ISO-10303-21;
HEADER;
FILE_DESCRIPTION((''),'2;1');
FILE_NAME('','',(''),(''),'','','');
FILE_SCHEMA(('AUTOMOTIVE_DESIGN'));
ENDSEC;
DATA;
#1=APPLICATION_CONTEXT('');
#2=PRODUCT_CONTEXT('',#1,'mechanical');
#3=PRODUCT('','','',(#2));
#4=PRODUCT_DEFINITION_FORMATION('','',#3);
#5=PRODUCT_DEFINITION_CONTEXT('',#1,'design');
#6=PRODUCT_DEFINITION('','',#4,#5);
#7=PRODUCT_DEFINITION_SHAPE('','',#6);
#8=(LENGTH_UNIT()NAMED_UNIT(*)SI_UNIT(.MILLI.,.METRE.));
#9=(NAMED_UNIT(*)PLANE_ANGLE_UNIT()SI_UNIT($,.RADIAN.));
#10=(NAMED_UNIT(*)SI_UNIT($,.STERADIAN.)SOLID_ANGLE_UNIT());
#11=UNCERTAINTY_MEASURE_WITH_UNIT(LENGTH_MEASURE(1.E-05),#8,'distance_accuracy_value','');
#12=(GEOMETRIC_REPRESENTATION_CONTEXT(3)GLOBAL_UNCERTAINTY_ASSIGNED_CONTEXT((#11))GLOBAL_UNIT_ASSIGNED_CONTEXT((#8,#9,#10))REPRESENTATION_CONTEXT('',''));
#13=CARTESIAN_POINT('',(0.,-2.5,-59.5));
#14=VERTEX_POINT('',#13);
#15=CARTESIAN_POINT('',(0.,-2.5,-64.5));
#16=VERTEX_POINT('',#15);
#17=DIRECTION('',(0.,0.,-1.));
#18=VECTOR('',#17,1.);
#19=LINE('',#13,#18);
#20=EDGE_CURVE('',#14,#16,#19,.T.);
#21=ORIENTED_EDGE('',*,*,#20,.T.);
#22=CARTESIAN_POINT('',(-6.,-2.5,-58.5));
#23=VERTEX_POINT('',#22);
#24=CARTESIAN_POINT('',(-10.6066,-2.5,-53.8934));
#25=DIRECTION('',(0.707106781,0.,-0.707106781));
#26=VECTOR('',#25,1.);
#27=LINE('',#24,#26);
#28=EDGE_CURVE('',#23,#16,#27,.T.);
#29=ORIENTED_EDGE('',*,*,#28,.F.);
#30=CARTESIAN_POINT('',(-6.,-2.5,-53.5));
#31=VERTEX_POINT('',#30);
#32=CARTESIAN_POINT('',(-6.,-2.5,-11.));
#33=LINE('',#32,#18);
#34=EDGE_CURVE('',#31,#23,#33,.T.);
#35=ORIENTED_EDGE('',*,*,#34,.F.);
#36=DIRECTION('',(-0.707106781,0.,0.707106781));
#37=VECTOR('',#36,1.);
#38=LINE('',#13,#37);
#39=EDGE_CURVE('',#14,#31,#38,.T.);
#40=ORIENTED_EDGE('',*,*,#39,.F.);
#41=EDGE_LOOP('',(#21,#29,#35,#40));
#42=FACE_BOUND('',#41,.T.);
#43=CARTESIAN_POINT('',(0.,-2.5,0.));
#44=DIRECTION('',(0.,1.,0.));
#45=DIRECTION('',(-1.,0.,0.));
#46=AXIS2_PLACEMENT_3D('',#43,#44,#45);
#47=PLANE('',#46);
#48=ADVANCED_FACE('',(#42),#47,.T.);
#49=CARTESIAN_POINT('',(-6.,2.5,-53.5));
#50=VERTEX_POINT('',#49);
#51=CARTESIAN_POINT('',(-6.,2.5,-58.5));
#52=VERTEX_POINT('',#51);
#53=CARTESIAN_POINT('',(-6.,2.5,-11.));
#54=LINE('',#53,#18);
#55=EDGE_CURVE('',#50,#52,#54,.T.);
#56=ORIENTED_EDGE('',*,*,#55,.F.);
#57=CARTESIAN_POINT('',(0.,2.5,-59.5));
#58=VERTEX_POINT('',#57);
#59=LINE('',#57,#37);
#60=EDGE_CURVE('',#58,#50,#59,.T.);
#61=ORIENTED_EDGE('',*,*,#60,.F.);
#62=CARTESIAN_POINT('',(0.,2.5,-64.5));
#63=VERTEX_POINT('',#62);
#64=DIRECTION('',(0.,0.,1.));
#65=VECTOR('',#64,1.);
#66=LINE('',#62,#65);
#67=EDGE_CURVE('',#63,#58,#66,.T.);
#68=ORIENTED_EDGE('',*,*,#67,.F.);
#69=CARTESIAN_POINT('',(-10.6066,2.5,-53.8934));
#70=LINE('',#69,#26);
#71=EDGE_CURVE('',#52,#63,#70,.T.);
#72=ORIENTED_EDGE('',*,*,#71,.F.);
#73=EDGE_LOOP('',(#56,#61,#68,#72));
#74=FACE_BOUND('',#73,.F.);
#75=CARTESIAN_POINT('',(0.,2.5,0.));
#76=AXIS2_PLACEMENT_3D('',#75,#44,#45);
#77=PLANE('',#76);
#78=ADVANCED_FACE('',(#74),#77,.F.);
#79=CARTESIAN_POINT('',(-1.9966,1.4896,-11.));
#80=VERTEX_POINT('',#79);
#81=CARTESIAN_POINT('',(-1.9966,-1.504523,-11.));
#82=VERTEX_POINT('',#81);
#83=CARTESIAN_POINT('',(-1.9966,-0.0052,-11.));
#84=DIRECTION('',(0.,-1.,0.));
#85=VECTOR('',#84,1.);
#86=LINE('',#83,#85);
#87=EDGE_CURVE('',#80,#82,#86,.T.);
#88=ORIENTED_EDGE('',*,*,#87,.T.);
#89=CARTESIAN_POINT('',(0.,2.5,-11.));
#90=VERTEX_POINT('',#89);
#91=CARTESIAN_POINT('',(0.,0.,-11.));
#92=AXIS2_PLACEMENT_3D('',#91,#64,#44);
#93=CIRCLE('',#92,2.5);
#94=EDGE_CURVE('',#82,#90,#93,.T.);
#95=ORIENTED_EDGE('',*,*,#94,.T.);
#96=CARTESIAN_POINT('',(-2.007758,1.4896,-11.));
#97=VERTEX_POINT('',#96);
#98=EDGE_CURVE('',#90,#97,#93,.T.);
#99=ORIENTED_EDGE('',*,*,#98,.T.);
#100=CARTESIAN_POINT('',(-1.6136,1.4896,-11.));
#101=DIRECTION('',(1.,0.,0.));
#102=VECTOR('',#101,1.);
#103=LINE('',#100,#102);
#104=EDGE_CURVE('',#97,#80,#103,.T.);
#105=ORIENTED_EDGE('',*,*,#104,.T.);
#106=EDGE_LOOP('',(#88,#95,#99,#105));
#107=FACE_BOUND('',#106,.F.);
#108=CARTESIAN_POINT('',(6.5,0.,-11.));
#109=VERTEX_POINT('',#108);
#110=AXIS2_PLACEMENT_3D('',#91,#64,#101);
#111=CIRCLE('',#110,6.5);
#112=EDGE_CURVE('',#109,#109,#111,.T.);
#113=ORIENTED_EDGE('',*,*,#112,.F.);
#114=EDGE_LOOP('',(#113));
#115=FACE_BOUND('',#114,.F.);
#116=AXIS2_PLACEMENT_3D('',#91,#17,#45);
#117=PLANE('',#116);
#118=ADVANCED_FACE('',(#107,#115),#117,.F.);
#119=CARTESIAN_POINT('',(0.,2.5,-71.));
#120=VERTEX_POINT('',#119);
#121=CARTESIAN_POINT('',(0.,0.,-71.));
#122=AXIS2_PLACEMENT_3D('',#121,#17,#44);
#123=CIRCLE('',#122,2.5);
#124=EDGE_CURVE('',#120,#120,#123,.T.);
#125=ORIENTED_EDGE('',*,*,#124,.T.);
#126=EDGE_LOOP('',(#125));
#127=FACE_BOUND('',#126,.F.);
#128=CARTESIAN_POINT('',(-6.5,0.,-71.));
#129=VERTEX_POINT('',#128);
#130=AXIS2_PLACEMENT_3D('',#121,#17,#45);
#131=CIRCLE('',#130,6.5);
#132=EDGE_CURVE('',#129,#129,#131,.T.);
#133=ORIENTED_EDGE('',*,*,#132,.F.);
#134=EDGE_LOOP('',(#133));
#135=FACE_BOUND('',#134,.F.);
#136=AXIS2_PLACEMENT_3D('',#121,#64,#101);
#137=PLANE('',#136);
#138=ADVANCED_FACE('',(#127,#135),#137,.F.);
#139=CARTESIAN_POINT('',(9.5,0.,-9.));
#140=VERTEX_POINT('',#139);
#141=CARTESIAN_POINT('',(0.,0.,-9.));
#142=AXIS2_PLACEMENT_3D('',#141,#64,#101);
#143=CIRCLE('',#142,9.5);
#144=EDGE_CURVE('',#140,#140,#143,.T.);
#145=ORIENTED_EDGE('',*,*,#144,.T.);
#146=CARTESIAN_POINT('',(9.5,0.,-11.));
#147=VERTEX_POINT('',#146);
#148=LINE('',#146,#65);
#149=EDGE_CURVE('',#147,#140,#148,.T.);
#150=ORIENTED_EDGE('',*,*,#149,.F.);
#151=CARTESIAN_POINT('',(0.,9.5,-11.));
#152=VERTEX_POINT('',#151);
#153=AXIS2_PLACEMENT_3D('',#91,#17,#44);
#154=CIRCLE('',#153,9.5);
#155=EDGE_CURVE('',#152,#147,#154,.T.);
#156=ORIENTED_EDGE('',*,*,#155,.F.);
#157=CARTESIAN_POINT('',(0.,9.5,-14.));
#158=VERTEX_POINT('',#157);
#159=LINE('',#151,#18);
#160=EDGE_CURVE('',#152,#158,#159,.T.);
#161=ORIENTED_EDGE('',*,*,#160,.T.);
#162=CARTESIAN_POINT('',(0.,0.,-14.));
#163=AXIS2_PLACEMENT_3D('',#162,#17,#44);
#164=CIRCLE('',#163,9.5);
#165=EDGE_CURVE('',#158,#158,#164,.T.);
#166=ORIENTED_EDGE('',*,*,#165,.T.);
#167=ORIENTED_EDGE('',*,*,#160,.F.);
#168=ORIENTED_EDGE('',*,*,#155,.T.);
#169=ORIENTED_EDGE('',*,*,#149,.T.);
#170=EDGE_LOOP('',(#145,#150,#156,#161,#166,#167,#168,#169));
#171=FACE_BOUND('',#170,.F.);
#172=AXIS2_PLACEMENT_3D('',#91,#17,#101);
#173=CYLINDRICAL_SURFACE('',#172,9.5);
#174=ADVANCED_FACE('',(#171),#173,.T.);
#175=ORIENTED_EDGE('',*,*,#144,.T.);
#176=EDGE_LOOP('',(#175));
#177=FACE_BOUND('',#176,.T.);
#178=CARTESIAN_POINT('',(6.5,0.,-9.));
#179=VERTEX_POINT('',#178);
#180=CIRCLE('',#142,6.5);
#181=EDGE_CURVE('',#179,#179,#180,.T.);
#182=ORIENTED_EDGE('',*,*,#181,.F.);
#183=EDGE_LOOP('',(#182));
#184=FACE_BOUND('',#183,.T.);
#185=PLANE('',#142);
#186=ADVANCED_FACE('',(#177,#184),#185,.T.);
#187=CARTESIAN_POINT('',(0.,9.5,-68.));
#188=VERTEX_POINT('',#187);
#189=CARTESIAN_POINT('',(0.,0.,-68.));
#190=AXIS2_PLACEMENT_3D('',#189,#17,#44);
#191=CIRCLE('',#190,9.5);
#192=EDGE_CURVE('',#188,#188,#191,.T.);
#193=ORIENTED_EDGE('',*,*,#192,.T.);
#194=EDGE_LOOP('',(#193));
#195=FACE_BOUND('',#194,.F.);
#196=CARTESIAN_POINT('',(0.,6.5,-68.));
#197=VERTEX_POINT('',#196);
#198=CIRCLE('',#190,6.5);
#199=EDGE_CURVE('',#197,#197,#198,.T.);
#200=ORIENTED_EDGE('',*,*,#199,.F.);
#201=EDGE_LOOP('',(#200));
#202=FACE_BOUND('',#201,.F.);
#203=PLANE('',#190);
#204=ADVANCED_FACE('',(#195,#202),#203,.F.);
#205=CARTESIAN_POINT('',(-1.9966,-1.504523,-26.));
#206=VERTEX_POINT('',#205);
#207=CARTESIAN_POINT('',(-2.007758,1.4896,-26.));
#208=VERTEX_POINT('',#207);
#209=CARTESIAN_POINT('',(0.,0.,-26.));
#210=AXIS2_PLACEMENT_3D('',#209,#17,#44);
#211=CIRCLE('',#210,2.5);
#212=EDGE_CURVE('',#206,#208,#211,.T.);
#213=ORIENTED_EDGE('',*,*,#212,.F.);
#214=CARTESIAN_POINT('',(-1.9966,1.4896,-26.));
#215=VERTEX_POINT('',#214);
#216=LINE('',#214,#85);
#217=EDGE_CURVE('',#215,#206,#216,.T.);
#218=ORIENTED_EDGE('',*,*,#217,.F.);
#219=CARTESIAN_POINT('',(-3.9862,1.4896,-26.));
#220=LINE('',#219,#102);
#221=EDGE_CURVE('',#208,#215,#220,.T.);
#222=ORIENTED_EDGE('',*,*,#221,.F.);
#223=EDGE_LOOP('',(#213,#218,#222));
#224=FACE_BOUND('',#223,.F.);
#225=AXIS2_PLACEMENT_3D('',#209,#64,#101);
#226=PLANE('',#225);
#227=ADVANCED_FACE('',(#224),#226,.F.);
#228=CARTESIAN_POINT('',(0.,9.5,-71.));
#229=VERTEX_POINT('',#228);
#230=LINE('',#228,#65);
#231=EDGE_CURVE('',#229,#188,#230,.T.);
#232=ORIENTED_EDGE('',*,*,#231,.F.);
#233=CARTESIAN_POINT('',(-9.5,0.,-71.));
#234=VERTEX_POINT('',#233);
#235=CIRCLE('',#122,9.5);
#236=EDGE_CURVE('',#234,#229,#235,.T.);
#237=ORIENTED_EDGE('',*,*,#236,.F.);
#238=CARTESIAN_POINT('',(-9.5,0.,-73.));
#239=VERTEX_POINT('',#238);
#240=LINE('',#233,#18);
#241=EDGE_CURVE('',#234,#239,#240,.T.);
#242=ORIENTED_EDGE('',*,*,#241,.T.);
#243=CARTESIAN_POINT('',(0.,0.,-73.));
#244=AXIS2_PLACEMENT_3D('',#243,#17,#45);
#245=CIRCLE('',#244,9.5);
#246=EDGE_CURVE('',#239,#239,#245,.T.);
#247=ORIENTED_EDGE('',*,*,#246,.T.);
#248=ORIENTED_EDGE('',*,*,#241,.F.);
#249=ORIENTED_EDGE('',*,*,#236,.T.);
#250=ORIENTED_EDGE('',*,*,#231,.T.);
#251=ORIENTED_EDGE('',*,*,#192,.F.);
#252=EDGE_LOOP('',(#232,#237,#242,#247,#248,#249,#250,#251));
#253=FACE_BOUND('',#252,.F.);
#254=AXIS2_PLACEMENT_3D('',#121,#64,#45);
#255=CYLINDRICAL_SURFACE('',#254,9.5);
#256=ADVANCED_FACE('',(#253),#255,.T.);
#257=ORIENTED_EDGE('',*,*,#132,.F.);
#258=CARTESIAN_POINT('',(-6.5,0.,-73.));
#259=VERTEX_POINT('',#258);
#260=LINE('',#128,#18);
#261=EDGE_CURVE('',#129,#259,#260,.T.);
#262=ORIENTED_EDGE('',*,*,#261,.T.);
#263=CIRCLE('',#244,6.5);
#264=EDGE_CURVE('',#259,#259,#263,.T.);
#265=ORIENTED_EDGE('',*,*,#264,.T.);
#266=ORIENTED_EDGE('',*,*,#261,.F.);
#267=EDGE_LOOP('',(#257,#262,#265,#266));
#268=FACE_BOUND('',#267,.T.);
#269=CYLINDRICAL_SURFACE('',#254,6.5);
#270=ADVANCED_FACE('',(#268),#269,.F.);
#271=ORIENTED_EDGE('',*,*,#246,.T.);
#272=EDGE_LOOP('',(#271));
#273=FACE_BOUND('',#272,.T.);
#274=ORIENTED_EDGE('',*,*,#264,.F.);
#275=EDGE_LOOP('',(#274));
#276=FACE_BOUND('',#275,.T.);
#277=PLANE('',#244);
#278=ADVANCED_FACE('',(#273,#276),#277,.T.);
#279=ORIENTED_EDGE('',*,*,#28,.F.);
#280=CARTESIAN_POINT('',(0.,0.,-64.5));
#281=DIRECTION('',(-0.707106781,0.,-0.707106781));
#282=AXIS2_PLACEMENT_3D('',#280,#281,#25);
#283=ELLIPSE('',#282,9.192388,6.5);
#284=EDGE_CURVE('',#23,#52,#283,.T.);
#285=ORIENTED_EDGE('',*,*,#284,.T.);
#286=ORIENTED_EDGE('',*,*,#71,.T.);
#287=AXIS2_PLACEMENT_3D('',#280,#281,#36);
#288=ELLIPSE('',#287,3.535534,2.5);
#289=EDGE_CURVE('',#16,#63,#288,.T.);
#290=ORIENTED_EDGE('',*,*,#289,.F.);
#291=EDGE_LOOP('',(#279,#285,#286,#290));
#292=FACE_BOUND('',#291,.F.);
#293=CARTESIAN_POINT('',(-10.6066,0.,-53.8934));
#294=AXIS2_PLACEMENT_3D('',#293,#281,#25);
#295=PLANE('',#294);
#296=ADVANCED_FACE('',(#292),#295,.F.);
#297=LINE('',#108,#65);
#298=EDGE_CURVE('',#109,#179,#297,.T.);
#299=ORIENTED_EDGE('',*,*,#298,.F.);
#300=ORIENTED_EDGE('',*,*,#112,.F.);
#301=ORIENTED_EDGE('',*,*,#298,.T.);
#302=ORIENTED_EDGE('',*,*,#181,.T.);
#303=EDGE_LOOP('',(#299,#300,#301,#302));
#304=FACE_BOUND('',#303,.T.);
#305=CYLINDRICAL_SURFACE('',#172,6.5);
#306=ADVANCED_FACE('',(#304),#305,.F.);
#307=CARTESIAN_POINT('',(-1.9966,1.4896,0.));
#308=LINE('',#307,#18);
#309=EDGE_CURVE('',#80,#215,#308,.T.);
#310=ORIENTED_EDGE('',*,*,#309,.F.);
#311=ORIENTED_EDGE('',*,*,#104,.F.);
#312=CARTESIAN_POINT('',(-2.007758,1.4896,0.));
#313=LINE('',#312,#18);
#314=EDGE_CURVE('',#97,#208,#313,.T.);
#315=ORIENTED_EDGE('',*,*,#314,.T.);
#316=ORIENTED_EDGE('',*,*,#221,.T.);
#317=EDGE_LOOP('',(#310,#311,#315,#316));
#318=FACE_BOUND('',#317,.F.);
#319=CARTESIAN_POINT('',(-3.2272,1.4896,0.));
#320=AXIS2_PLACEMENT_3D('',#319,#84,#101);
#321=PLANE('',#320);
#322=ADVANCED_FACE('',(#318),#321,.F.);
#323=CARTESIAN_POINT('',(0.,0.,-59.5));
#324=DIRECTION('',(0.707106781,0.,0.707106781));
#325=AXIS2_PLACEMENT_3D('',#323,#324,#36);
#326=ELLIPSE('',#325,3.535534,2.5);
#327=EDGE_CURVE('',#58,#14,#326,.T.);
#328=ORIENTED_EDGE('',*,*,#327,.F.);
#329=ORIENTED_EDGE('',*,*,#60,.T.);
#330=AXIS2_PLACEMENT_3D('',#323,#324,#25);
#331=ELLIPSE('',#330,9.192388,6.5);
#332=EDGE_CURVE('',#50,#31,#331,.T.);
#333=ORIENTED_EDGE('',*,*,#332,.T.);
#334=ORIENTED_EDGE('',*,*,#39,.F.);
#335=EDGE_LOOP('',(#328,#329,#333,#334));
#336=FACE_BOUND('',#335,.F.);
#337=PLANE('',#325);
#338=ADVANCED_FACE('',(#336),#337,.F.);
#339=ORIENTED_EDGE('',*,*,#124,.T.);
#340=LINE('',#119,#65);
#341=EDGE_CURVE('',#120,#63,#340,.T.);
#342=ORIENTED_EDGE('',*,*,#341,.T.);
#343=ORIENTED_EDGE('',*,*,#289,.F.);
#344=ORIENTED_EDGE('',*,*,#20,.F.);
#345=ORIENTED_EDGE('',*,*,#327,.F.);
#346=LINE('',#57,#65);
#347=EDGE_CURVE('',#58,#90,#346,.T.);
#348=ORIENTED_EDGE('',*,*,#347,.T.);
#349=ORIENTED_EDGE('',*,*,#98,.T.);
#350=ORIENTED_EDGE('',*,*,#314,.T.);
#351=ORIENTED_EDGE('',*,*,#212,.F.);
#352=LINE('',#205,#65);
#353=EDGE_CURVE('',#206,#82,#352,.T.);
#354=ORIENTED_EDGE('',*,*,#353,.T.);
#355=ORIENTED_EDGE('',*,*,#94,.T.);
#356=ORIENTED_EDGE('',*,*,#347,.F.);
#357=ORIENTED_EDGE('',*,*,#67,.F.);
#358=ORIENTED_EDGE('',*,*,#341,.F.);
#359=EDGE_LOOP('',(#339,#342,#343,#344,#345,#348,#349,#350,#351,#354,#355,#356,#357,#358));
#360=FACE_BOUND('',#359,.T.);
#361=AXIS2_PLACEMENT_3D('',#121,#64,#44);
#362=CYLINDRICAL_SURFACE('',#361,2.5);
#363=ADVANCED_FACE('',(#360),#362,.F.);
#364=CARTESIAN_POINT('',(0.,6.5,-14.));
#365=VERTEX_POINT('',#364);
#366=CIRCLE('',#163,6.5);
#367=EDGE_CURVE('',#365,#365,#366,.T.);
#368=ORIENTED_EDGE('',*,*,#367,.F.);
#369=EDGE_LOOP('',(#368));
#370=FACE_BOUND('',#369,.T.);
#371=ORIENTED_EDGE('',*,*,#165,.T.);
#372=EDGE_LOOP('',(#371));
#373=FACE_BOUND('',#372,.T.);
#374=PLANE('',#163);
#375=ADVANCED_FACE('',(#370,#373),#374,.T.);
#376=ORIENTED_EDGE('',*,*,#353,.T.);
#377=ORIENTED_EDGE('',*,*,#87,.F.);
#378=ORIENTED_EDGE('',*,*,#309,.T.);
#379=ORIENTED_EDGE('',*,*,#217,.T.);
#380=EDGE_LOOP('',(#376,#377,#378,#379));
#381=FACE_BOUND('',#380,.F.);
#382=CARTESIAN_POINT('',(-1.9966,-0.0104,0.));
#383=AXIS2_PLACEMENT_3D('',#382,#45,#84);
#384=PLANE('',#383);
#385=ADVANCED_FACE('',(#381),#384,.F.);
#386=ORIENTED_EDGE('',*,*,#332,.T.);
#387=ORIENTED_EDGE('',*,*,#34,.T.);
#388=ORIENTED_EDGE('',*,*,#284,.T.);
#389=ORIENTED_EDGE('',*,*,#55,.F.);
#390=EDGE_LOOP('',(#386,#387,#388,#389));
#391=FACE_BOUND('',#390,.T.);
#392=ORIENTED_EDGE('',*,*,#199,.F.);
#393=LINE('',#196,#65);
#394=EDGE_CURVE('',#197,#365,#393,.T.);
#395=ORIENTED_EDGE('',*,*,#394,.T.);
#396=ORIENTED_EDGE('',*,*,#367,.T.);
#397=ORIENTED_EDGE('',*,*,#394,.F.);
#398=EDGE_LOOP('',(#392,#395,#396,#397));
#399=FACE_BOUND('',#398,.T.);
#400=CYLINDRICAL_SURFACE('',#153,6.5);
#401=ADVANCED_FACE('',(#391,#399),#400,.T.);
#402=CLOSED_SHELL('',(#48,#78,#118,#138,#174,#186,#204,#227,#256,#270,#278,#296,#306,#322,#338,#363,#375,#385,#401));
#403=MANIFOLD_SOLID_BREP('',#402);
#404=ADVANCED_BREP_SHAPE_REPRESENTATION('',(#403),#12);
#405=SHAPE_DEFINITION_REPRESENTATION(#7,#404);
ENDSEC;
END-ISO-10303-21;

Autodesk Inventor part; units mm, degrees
ref_plane "YZ Plane" through (0, 0, 0) normal (1, 0, 0) x (0, 1, 0)
ref_plane "XZ Plane" through (0, 0, 0) normal (0, 1, 0) x (-1, 0, 0)
ref_plane "XY Plane" through (0, 0, 0) normal (0, 0, 1) x (1, 0, 0)
sketch "Sketch1" plane through (0, 0, 0) normal (1, 0, 0) x (0, 1, 0)
  line L0 (0, 0) -> (2.5, 0)
  line L1 (0, 0) -> (4, 0)
  line L2 (2.5, 0) -> (2.5, -7)
  line L3 (2.5, -7) -> (0, -7)
  line L4 (0, -7) -> (20, -7)
  line L5 (4, 0) -> (4, -7)
  line L6 (2.5, -7) -> (2.5, -41)
  line L7 (20, -7) -> (20, -11)
  line L8 (20, -11) -> (2.5, -11)
  line L9 (20, -7) -> (22.5, -7)
  line L10 (22.5, -7) -> (22.5, -11)
  line L11 (22.5, -11) -> (20, -11)
  line L12 (20, -11) -> (20, -7)
  line L13 (20, -7) -> (20, -11)
  line L14 (4, 0) -> (2.5, 0)
  line L15 (2.5, 0) -> (2.5, -11)
  line L16 (2.5, -11) -> (4, -11)
  line L17 (4, -11) -> (4, 0)
  line L18 (2.5, -11) -> (22.5, -11)
  line L19 (22.5, -11) -> (22.5, -7)
  line L20 (22.5, -7) -> (2.5, -7)
  line L21 (2.5, -7) -> (2.5, -11)
  line L22 (2.5, -11) -> (6.5, -11)
  line L23 (0, -7) -> (0, -105.9451)
  line L24 (2.5, -41) -> (25, -41)
  line L25 (0, -82) -> (2.5, -82)
  line L26 (0, -82) -> (4, -82)
  line L27 (2.5, -82) -> (2.5, -75)
  line L28 (2.5, -75) -> (0, -75)
  line L29 (0, -75) -> (20, -75)
  line L30 (4, -82) -> (4, -75)
  line L31 (20, -75) -> (20, -71)
  line L32 (20, -71) -> (2.5, -71)
  line L33 (20, -75) -> (22.5, -75)
  line L34 (22.5, -75) -> (22.5, -71)
  line L35 (22.5, -71) -> (20, -71)
  line L36 (20, -71) -> (20, -75)
  line L37 (20, -75) -> (20, -71)
  line L38 (4, -82) -> (2.5, -82)
  line L39 (2.5, -82) -> (2.5, -71)
  line L40 (2.5, -71) -> (4, -71)
  line L41 (4, -71) -> (4, -82)
  line L42 (2.5, -71) -> (22.5, -71)
  line L43 (22.5, -71) -> (22.5, -75)
  line L44 (22.5, -75) -> (2.5, -75)
  line L45 (2.5, -75) -> (2.5, -71)
  line L46 (2.5, -71) -> (6.5, -71)
  line L47 (2.5, -11) -> (6.5, -11)
  line L48 (6.5, -11) -> (6.5, -71)
  line L49 (6.5, -71) -> (2.5, -71)
  line L50 (2.5, -71) -> (2.5, -11)
  line L51 (6.5, -11) -> (9.5, -11)
  line L52 (9.5, -11) -> (9.5, -14)
  line L53 (9.5, -14) -> (6.5, -14)
  line L54 (6.5, -14) -> (6.5, -11)
  line L55 (6.5, -71) -> (9.5, -71)
  line L56 (9.5, -71) -> (9.5, -68)
  line L57 (9.5, -68) -> (6.5, -68)
  line L58 (6.5, -68) -> (6.5, -71)
  dimension "d1" = 2.5
  dimension "d2" = 4
  dimension "d3" = 7
  dimension "d4" = 20
  dimension "d5" = 34
  dimension "d9" = 4
  dimension "d12" = 2.5
  dimension "d13" = 4
  dimension "d55" = 22.5
  dimension "d56" = 4
  dimension "d80" = 3
  dimension "d81" = 3
  dimension "d82" = 3
  dimension "d83" = 3
revolve "Revolution2" add sketch "Sketch1" angle 360 about axis through (0, 0, -7) along (0, 0, -1) contours L1 L5 L4 L2 | L4 L17 L8 L6 | L4 L7 L8 L17 | L8 L48 L24 L6 | L9 L10 L11 L7 | L24 L48 L32 L50 | L8 L52 L53 L48 | L29 L30 L26 L27 | L39 L32 L41 L29 | L41 L32 L31 L29 | L57 L56 L32 L48 | L31 L35 L34 L33
sketch "Sketch6" plane through (0, 0, 0) normal (0, 1, 0) x (-1, 0, 0)
  line L0 (-2.5, -82) -> (2.5, -82) projected
  line L1 (0, -82) -> (0, -62)
  line L2 (0, -82) -> (20, -82) construction
  line L3 (0, -65) -> (15, -65) construction
  line L4 (0, -59) -> (15, -59) construction
  line L5 (10.6066, -48.3934) -> (10.6066, -54.3934)
  line L6 (0, -65) -> (0, -59)
  line L7 (0, -62) -> (0, -59.5)
  line L8 (0, -59.5) -> (10.6066, -48.8934)
  line L9 (10.6066, -48.8934) -> (10.6066, -53.8934)
  line L10 (10.6066, -53.8934) -> (0, -64.5)
  line L11 (0, -59.5) -> (0, -64.5)
  point P0 (0, 0)
  dimension "d64" = 20
  dimension "d65" = 90
  dimension "d69" = 15
  dimension "d71" = 15
  dimension "d75" = 2.5
  dimension "d76" = 5
extrude "Extrusion6" cut sketch "Sketch6" along normal mid plane 5
sketch "Sketch7" plane through (0, 0, 0) normal (0, 0, 1) x (1, 0, 0)
  arc A0 (-1.9966, -1.5104) -> (-1.9966, 1.4896) centre (0.0034, -0.0104) ccw
  line L0 (-1.9966, -0.0104) -> (-1.9966, 1.4896)
  line L1 (-1.9966, -0.0104) -> (-1.9966, -1.5104)
  line L2 (-1.9966, 1.4896) -> (-1.9966, -2.007)
  line L3 (-1.9966, -2.007) -> (-3.9862, -2.007)
  line L4 (-3.9862, -2.007) -> (-3.9862, 1.4896)
  line L5 (-3.9862, 1.4896) -> (-1.9966, 1.4896)
  line L6 (-1.9966, -1.5104) -> (-3.2272, -1.5104)
  line L7 (-3.2272, -1.5104) -> (-3.2272, 1.4896)
  line L8 (-3.2272, 1.4896) -> (-1.9966, 1.4896)
  line L9 (-1.9966, 1.4896) -> (-1.9966, -1.5104)
  point P0 (0, 0)
  point P1 (0, 0)
  dimension "d77" = 5
extrude "Extrusion7" add sketch "Sketch7" against normal blind 26 contours L6 L7 L5 L0 L1
sketch "Sketch11" plane through (0, 0, -71) normal (0, 0, 1) x (1, 0, 0)
  circle A0 centre (0, 0) radius 2.5 projected
  circle A1 centre (0, 0) radius 9.5
  arc A2 (0, 2.5) -> (0, -2.5) centre (0, 0) ccw projected
  circle A3 centre (0, 0) radius 46.837
  point P0 (0, 0)
  dimension "d90" = 19
extrude "Extrusion11" cut sketch "Sketch11" against normal blind 100 contours A0 | A1 | A3
sketch "Sketch12" plane through (0, 0, -71) normal (0, 0, -1) x (-1, 0, 0)
  circle A0 centre (0, 0) radius 9.5 projected
  circle A1 centre (0, 0) radius 9.5
  circle A2 centre (0, 0) radius 6.5
  point P0 (0, 0)
extrude "Extrusion12" add sketch "Sketch12" along normal blind 2
sketch "Sketch13" plane through (0, 0, -11) normal (0, 0, -1) x (-1, 0, 0)
  circle A0 centre (0, 0) radius 46.586
extrude "Extrusion13" cut sketch "Sketch13" against normal blind 30
sketch "Sketch14" plane through (0, 0, -11) normal (0, 0, 1) x (1, 0, 0)
  circle A0 centre (0, 0) radius 9.5
  circle A1 centre (0, 0) radius 9.5
  arc A2 (0, 2.5) -> (0, -2.5) centre (0, 0) ccw projected
  circle A3 centre (0, 0) radius 6.5
  dimension "d97" = 19
  dimension "d98" = 13
extrude "Extrusion14" add sketch "Sketch14" along normal blind 2
properties part number "Spool_revB3"
